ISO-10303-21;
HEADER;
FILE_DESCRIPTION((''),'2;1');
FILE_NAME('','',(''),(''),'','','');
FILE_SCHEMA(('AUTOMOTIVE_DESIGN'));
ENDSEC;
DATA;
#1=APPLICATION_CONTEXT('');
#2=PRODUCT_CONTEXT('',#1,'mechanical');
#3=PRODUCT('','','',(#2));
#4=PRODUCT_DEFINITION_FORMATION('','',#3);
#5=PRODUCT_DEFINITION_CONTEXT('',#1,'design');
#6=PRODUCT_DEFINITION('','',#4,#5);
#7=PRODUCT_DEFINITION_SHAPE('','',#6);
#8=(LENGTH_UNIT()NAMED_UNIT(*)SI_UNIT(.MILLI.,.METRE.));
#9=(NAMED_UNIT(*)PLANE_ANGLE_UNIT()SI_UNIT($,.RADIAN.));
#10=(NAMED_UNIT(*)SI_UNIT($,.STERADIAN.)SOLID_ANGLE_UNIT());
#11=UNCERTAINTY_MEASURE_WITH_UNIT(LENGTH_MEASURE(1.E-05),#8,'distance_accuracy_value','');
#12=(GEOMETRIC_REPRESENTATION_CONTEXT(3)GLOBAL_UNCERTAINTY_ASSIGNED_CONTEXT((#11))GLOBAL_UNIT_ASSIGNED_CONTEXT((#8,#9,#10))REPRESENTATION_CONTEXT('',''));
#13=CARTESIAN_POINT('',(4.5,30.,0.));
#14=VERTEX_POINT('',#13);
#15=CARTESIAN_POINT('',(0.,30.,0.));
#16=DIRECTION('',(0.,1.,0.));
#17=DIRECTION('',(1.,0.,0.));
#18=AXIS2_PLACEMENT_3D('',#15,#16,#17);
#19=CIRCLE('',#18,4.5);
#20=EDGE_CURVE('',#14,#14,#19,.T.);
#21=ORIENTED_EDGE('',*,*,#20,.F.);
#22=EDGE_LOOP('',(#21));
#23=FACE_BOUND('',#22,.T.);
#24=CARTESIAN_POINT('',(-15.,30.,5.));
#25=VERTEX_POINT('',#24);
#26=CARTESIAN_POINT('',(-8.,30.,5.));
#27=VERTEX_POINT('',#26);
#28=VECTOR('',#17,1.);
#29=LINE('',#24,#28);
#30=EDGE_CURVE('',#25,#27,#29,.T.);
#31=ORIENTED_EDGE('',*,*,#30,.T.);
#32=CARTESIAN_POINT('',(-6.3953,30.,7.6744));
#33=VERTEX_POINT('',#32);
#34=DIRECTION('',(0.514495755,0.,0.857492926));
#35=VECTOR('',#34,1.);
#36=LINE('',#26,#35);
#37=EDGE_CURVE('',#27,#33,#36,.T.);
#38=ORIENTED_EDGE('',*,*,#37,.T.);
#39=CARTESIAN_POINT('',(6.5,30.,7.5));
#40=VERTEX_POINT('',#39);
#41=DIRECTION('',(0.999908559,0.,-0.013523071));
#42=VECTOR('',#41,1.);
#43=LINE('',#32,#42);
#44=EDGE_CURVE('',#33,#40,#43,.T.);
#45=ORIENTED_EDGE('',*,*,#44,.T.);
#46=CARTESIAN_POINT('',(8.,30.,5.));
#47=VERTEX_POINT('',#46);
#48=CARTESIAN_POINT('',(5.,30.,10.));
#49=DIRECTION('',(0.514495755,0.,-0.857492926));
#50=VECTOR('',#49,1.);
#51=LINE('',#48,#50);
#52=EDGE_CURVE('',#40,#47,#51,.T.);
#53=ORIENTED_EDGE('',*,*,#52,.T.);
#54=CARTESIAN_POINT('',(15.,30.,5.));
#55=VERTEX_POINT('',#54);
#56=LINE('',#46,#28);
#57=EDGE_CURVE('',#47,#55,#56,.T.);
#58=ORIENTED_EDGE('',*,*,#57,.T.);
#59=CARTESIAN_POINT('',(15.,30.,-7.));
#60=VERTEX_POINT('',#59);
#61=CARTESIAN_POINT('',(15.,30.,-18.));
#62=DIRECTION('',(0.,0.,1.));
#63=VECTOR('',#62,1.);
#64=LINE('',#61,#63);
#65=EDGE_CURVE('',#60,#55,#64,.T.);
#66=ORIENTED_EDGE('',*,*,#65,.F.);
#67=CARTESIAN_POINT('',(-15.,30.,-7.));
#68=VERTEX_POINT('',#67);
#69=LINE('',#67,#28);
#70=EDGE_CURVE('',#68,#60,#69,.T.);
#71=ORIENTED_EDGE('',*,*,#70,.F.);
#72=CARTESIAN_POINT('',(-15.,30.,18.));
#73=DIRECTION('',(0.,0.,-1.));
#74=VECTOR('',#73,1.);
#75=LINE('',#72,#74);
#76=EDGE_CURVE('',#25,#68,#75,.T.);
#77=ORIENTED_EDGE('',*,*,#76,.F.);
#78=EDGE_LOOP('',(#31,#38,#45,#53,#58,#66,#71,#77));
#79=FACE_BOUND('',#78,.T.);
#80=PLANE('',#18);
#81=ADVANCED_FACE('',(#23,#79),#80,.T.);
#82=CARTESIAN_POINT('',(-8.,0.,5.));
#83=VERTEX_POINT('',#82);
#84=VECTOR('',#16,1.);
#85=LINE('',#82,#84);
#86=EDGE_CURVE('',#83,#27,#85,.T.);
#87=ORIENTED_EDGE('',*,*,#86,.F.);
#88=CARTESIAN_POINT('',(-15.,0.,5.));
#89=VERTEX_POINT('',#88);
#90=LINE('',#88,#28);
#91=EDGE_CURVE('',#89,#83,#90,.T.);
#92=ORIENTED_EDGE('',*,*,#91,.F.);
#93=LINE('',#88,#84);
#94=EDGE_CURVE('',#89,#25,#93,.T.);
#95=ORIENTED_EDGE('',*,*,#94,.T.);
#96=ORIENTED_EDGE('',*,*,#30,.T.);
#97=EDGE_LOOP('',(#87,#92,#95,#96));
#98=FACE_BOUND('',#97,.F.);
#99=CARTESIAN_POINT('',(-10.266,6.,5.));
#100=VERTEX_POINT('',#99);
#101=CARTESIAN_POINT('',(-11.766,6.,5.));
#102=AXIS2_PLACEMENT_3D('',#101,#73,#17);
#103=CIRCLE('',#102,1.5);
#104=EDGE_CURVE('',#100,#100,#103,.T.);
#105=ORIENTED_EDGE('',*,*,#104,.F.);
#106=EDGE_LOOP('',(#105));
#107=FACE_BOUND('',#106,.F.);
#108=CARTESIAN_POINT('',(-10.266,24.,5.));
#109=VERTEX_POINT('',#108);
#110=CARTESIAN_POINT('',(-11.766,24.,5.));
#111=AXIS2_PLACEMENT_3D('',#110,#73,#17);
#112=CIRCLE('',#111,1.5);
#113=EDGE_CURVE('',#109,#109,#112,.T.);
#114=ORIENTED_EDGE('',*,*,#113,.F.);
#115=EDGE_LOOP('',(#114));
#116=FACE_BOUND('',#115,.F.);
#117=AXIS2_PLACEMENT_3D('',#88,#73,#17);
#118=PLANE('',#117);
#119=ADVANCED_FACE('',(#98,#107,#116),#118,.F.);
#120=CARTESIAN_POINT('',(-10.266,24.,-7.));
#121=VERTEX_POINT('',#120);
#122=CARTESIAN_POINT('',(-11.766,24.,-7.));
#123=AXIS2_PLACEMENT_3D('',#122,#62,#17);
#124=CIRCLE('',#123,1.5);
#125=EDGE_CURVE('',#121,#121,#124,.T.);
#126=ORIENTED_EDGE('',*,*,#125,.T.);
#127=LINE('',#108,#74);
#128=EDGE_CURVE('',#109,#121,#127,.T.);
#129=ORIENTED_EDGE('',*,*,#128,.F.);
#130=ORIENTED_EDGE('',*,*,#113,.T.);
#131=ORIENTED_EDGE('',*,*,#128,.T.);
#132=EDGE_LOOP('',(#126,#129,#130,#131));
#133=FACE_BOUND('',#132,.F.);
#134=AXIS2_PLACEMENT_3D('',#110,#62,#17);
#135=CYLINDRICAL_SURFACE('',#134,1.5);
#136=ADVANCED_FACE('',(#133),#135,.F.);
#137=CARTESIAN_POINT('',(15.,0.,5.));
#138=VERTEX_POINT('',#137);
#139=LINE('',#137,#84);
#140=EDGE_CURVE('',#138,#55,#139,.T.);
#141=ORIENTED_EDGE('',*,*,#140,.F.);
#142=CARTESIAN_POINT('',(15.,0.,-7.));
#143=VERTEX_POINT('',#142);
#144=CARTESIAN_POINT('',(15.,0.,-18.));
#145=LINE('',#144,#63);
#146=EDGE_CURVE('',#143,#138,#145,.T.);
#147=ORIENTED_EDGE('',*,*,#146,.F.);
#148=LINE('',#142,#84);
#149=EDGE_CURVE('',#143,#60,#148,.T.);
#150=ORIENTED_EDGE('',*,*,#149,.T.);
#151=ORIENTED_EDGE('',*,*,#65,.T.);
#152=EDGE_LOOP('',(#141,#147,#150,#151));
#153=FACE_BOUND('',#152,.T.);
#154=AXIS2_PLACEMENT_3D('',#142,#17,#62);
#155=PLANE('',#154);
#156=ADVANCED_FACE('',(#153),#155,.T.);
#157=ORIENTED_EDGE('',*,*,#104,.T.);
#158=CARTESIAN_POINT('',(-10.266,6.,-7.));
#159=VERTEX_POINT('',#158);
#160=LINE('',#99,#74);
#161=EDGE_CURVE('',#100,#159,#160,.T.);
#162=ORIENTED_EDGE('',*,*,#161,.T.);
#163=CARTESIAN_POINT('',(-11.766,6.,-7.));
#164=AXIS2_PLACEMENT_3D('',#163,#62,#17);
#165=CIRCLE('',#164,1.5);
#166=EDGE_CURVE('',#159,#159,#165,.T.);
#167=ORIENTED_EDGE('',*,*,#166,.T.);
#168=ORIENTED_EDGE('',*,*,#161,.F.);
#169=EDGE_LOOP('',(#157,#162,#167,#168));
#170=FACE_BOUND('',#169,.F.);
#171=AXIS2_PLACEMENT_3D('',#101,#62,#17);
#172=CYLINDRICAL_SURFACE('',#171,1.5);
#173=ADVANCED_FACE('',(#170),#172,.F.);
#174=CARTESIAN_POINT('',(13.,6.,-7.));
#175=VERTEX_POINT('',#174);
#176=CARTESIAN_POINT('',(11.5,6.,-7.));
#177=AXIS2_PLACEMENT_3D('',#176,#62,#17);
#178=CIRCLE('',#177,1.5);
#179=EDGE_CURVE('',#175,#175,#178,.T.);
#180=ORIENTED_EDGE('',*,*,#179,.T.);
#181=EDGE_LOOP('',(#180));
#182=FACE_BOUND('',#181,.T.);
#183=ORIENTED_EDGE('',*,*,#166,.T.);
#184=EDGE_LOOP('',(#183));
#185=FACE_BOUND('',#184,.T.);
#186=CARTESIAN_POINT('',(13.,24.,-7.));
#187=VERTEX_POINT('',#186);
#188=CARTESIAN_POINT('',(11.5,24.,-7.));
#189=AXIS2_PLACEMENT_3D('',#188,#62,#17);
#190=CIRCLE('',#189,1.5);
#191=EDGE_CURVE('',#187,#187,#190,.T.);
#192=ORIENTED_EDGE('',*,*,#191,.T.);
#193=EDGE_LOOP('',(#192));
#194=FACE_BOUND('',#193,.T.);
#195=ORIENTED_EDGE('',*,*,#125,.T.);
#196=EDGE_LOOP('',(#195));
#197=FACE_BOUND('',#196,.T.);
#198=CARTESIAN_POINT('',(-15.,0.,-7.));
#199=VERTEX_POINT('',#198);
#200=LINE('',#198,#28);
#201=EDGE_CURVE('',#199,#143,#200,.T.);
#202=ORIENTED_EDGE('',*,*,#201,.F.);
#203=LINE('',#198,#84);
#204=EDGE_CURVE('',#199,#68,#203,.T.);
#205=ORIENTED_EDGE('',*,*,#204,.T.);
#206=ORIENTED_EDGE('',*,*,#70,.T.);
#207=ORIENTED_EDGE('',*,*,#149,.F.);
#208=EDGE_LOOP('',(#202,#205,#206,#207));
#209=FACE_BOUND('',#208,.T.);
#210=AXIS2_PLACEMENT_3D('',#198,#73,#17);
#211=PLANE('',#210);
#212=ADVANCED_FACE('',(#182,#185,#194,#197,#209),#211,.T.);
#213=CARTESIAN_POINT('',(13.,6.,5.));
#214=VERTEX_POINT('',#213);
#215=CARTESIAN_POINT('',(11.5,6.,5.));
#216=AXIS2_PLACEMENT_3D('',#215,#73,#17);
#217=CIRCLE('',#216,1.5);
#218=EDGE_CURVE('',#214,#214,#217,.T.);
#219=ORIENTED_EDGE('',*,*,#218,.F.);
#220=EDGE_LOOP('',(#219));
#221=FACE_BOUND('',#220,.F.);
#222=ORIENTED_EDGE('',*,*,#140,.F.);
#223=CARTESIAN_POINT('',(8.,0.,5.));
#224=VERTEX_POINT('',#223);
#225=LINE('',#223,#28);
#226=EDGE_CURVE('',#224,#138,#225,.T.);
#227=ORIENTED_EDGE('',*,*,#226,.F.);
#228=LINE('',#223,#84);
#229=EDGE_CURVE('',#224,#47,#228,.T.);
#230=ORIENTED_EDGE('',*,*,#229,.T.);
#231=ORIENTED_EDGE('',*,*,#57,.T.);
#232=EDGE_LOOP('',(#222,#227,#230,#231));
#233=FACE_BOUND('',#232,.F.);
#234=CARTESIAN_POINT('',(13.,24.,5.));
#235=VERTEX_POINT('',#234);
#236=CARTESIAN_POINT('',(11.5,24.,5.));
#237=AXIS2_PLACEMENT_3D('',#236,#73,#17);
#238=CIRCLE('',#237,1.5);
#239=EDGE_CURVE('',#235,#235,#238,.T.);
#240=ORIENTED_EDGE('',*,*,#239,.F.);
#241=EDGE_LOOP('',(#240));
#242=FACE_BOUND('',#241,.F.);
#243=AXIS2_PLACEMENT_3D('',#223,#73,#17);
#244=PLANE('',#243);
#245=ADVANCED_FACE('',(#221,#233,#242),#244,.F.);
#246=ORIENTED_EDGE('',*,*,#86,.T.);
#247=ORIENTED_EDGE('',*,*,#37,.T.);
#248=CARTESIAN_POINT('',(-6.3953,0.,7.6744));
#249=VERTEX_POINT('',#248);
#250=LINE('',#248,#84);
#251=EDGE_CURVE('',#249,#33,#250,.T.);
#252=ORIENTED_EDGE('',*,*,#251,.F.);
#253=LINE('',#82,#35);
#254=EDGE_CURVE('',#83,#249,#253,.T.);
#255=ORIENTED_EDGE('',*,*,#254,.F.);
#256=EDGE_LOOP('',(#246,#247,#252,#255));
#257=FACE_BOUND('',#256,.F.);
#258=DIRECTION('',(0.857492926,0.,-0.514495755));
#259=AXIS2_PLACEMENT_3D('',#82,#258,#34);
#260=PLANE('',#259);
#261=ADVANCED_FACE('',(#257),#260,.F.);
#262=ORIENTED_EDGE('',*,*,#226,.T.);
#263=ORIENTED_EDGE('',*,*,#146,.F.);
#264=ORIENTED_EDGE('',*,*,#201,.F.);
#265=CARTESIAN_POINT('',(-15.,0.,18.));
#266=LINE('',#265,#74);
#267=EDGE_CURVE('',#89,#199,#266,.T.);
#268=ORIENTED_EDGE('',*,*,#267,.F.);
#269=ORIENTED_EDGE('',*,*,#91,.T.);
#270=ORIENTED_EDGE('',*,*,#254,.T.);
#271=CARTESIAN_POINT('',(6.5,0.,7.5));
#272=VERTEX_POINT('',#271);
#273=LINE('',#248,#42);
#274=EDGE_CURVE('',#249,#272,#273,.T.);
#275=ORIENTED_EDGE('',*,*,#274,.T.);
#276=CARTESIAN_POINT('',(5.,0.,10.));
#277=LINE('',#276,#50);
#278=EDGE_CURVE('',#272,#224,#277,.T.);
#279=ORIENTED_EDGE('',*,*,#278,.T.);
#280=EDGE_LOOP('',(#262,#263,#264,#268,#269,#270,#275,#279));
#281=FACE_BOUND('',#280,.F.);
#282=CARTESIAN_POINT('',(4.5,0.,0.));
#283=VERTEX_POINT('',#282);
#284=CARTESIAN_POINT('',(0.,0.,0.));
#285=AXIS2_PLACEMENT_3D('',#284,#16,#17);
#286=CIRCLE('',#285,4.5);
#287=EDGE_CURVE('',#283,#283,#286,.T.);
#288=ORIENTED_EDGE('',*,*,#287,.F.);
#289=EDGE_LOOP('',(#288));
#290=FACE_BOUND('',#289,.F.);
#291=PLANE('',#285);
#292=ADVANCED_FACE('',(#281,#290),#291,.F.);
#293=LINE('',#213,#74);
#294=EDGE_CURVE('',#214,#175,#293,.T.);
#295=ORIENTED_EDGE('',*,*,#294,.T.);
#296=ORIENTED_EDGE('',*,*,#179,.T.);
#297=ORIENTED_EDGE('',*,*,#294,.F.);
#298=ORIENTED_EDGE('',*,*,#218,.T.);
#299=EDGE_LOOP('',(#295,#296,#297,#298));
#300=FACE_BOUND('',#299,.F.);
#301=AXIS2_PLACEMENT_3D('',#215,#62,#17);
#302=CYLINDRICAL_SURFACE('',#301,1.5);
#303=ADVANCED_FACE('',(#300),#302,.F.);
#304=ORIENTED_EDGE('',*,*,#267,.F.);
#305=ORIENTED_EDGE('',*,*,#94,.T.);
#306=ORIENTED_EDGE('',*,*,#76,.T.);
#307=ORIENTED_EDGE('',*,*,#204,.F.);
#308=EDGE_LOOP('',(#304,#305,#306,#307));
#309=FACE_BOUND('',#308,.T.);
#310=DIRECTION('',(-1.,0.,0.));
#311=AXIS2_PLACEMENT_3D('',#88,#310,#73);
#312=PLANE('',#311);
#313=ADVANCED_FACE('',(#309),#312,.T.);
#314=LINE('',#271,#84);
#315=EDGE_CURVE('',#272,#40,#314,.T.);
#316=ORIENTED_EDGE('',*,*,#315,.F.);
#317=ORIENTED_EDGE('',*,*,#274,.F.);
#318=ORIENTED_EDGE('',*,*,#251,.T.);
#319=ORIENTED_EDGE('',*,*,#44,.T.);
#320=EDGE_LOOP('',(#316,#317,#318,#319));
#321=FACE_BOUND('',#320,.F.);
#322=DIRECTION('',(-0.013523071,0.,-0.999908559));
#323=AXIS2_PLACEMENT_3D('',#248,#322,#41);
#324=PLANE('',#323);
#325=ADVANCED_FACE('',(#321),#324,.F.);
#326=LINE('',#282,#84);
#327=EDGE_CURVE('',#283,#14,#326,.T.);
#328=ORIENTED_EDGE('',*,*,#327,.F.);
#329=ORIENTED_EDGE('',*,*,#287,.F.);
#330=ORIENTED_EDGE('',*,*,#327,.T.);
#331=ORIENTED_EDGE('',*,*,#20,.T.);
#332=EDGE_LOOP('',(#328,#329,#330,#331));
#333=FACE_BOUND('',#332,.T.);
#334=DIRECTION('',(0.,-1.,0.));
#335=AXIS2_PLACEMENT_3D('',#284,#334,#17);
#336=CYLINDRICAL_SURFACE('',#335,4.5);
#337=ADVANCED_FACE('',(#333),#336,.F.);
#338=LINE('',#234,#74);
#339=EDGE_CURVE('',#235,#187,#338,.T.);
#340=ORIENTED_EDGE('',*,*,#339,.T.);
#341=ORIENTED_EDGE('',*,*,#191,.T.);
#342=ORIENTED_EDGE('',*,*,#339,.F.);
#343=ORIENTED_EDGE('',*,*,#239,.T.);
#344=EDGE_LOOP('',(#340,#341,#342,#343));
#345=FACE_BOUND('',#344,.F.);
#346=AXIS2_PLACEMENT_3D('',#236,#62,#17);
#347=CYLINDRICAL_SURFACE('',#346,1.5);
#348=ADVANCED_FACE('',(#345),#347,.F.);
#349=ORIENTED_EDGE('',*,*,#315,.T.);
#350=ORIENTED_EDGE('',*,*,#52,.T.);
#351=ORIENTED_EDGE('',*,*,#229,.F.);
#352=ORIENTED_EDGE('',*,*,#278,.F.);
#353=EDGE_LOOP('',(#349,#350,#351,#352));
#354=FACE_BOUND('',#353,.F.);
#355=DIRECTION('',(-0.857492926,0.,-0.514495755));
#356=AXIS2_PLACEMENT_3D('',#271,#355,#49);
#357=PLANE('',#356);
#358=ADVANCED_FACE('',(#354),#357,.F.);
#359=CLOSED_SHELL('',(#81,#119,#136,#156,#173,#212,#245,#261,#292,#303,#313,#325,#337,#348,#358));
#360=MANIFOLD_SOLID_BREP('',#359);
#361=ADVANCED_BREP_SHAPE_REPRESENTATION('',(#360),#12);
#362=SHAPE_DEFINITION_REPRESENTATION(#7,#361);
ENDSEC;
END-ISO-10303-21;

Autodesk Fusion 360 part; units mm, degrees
sketch "Sketch1" plane through (0, 0, 0) normal (0, 1, 0) x (1, 0, 0)
  circle A0 centre (0, 0) radius 4.5
  line L0 (15, -18) -> (-15, -18)
  line L1 (-15, -18) -> (-15, 18)
  line L2 (-15, 18) -> (15, 18)
  line L3 (15, 18) -> (15, -18)
  line L4 (15, -18) -> (-15, 18) construction
  line L5 (-15, -18) -> (15, 18) construction
  line L6 (-15, -7) -> (-8, -7)
  line L7 (-8, -7) -> (-6, -10)
  line L8 (-6, -10) -> (6, -10)
  line L9 (6, -10) -> (8, -7)
  line L10 (8, -7) -> (15, -7)
  line L11 (-15, 7) -> (15, 7)
  line L12 (-15, -5) -> (-8, -5)
  line L13 (-8, -5) -> (-5, -10)
  line L14 (5, -10) -> (8, -5)
  line L15 (8, -5) -> (15, -5)
  line L16 (-6.3953, -7.6744) -> (6.5, -7.5)
  dimension "d1" = 9
extrude "Extrude1" add sketch "Sketch1" along normal blind 30 contours L1 L3 L11 L12 L13 L14 L15 L16
sketch "Sketch2" plane through (0, 0, 5) normal (0, 0, 1) x (1, 0, 0)
  line L0 (8, 0) -> (15, 0)
  line L1 (15, 0) -> (15, 30)
  line L2 (15, 30) -> (8, 30)
  line L3 (8, 30) -> (8, 0)
  line L4 (-11.766, 29.9998) -> (-11.766, -2)
  line L5 (11.5, 30) -> (11.5, -1)
  line L6 (-15, 24) -> (17, 24)
  line L7 (-16, 6) -> (16, 6)
  circle A0 centre (-11.766, 6) radius 1.5
  circle A1 centre (11.5, 6) radius 1.5
  circle A2 centre (11.5, 24) radius 1.5
  circle A3 centre (-11.766, 24) radius 1.5
  dimension "d4" = 3
  dimension "d5" = 3
  dimension "d6" = 3
  dimension "d7" = 3
extrude "Extrude2" cut sketch "Sketch2" against normal blind 14 contours L5 L7 A1 | L5 L7 A1 | L4 L7 A0 | L4 L7 A0 | L5 L7 A1 | L5 L7 A1 | L4 L6 A3 | L4 L6 A3 | L5 L6 A2 | L5 L6 A2 | L4 L7 A0 | L4 L7 A0 | L4 L6 A3 | L4 L6 A3 | L5 L6 A2 | L5 L6 A2
